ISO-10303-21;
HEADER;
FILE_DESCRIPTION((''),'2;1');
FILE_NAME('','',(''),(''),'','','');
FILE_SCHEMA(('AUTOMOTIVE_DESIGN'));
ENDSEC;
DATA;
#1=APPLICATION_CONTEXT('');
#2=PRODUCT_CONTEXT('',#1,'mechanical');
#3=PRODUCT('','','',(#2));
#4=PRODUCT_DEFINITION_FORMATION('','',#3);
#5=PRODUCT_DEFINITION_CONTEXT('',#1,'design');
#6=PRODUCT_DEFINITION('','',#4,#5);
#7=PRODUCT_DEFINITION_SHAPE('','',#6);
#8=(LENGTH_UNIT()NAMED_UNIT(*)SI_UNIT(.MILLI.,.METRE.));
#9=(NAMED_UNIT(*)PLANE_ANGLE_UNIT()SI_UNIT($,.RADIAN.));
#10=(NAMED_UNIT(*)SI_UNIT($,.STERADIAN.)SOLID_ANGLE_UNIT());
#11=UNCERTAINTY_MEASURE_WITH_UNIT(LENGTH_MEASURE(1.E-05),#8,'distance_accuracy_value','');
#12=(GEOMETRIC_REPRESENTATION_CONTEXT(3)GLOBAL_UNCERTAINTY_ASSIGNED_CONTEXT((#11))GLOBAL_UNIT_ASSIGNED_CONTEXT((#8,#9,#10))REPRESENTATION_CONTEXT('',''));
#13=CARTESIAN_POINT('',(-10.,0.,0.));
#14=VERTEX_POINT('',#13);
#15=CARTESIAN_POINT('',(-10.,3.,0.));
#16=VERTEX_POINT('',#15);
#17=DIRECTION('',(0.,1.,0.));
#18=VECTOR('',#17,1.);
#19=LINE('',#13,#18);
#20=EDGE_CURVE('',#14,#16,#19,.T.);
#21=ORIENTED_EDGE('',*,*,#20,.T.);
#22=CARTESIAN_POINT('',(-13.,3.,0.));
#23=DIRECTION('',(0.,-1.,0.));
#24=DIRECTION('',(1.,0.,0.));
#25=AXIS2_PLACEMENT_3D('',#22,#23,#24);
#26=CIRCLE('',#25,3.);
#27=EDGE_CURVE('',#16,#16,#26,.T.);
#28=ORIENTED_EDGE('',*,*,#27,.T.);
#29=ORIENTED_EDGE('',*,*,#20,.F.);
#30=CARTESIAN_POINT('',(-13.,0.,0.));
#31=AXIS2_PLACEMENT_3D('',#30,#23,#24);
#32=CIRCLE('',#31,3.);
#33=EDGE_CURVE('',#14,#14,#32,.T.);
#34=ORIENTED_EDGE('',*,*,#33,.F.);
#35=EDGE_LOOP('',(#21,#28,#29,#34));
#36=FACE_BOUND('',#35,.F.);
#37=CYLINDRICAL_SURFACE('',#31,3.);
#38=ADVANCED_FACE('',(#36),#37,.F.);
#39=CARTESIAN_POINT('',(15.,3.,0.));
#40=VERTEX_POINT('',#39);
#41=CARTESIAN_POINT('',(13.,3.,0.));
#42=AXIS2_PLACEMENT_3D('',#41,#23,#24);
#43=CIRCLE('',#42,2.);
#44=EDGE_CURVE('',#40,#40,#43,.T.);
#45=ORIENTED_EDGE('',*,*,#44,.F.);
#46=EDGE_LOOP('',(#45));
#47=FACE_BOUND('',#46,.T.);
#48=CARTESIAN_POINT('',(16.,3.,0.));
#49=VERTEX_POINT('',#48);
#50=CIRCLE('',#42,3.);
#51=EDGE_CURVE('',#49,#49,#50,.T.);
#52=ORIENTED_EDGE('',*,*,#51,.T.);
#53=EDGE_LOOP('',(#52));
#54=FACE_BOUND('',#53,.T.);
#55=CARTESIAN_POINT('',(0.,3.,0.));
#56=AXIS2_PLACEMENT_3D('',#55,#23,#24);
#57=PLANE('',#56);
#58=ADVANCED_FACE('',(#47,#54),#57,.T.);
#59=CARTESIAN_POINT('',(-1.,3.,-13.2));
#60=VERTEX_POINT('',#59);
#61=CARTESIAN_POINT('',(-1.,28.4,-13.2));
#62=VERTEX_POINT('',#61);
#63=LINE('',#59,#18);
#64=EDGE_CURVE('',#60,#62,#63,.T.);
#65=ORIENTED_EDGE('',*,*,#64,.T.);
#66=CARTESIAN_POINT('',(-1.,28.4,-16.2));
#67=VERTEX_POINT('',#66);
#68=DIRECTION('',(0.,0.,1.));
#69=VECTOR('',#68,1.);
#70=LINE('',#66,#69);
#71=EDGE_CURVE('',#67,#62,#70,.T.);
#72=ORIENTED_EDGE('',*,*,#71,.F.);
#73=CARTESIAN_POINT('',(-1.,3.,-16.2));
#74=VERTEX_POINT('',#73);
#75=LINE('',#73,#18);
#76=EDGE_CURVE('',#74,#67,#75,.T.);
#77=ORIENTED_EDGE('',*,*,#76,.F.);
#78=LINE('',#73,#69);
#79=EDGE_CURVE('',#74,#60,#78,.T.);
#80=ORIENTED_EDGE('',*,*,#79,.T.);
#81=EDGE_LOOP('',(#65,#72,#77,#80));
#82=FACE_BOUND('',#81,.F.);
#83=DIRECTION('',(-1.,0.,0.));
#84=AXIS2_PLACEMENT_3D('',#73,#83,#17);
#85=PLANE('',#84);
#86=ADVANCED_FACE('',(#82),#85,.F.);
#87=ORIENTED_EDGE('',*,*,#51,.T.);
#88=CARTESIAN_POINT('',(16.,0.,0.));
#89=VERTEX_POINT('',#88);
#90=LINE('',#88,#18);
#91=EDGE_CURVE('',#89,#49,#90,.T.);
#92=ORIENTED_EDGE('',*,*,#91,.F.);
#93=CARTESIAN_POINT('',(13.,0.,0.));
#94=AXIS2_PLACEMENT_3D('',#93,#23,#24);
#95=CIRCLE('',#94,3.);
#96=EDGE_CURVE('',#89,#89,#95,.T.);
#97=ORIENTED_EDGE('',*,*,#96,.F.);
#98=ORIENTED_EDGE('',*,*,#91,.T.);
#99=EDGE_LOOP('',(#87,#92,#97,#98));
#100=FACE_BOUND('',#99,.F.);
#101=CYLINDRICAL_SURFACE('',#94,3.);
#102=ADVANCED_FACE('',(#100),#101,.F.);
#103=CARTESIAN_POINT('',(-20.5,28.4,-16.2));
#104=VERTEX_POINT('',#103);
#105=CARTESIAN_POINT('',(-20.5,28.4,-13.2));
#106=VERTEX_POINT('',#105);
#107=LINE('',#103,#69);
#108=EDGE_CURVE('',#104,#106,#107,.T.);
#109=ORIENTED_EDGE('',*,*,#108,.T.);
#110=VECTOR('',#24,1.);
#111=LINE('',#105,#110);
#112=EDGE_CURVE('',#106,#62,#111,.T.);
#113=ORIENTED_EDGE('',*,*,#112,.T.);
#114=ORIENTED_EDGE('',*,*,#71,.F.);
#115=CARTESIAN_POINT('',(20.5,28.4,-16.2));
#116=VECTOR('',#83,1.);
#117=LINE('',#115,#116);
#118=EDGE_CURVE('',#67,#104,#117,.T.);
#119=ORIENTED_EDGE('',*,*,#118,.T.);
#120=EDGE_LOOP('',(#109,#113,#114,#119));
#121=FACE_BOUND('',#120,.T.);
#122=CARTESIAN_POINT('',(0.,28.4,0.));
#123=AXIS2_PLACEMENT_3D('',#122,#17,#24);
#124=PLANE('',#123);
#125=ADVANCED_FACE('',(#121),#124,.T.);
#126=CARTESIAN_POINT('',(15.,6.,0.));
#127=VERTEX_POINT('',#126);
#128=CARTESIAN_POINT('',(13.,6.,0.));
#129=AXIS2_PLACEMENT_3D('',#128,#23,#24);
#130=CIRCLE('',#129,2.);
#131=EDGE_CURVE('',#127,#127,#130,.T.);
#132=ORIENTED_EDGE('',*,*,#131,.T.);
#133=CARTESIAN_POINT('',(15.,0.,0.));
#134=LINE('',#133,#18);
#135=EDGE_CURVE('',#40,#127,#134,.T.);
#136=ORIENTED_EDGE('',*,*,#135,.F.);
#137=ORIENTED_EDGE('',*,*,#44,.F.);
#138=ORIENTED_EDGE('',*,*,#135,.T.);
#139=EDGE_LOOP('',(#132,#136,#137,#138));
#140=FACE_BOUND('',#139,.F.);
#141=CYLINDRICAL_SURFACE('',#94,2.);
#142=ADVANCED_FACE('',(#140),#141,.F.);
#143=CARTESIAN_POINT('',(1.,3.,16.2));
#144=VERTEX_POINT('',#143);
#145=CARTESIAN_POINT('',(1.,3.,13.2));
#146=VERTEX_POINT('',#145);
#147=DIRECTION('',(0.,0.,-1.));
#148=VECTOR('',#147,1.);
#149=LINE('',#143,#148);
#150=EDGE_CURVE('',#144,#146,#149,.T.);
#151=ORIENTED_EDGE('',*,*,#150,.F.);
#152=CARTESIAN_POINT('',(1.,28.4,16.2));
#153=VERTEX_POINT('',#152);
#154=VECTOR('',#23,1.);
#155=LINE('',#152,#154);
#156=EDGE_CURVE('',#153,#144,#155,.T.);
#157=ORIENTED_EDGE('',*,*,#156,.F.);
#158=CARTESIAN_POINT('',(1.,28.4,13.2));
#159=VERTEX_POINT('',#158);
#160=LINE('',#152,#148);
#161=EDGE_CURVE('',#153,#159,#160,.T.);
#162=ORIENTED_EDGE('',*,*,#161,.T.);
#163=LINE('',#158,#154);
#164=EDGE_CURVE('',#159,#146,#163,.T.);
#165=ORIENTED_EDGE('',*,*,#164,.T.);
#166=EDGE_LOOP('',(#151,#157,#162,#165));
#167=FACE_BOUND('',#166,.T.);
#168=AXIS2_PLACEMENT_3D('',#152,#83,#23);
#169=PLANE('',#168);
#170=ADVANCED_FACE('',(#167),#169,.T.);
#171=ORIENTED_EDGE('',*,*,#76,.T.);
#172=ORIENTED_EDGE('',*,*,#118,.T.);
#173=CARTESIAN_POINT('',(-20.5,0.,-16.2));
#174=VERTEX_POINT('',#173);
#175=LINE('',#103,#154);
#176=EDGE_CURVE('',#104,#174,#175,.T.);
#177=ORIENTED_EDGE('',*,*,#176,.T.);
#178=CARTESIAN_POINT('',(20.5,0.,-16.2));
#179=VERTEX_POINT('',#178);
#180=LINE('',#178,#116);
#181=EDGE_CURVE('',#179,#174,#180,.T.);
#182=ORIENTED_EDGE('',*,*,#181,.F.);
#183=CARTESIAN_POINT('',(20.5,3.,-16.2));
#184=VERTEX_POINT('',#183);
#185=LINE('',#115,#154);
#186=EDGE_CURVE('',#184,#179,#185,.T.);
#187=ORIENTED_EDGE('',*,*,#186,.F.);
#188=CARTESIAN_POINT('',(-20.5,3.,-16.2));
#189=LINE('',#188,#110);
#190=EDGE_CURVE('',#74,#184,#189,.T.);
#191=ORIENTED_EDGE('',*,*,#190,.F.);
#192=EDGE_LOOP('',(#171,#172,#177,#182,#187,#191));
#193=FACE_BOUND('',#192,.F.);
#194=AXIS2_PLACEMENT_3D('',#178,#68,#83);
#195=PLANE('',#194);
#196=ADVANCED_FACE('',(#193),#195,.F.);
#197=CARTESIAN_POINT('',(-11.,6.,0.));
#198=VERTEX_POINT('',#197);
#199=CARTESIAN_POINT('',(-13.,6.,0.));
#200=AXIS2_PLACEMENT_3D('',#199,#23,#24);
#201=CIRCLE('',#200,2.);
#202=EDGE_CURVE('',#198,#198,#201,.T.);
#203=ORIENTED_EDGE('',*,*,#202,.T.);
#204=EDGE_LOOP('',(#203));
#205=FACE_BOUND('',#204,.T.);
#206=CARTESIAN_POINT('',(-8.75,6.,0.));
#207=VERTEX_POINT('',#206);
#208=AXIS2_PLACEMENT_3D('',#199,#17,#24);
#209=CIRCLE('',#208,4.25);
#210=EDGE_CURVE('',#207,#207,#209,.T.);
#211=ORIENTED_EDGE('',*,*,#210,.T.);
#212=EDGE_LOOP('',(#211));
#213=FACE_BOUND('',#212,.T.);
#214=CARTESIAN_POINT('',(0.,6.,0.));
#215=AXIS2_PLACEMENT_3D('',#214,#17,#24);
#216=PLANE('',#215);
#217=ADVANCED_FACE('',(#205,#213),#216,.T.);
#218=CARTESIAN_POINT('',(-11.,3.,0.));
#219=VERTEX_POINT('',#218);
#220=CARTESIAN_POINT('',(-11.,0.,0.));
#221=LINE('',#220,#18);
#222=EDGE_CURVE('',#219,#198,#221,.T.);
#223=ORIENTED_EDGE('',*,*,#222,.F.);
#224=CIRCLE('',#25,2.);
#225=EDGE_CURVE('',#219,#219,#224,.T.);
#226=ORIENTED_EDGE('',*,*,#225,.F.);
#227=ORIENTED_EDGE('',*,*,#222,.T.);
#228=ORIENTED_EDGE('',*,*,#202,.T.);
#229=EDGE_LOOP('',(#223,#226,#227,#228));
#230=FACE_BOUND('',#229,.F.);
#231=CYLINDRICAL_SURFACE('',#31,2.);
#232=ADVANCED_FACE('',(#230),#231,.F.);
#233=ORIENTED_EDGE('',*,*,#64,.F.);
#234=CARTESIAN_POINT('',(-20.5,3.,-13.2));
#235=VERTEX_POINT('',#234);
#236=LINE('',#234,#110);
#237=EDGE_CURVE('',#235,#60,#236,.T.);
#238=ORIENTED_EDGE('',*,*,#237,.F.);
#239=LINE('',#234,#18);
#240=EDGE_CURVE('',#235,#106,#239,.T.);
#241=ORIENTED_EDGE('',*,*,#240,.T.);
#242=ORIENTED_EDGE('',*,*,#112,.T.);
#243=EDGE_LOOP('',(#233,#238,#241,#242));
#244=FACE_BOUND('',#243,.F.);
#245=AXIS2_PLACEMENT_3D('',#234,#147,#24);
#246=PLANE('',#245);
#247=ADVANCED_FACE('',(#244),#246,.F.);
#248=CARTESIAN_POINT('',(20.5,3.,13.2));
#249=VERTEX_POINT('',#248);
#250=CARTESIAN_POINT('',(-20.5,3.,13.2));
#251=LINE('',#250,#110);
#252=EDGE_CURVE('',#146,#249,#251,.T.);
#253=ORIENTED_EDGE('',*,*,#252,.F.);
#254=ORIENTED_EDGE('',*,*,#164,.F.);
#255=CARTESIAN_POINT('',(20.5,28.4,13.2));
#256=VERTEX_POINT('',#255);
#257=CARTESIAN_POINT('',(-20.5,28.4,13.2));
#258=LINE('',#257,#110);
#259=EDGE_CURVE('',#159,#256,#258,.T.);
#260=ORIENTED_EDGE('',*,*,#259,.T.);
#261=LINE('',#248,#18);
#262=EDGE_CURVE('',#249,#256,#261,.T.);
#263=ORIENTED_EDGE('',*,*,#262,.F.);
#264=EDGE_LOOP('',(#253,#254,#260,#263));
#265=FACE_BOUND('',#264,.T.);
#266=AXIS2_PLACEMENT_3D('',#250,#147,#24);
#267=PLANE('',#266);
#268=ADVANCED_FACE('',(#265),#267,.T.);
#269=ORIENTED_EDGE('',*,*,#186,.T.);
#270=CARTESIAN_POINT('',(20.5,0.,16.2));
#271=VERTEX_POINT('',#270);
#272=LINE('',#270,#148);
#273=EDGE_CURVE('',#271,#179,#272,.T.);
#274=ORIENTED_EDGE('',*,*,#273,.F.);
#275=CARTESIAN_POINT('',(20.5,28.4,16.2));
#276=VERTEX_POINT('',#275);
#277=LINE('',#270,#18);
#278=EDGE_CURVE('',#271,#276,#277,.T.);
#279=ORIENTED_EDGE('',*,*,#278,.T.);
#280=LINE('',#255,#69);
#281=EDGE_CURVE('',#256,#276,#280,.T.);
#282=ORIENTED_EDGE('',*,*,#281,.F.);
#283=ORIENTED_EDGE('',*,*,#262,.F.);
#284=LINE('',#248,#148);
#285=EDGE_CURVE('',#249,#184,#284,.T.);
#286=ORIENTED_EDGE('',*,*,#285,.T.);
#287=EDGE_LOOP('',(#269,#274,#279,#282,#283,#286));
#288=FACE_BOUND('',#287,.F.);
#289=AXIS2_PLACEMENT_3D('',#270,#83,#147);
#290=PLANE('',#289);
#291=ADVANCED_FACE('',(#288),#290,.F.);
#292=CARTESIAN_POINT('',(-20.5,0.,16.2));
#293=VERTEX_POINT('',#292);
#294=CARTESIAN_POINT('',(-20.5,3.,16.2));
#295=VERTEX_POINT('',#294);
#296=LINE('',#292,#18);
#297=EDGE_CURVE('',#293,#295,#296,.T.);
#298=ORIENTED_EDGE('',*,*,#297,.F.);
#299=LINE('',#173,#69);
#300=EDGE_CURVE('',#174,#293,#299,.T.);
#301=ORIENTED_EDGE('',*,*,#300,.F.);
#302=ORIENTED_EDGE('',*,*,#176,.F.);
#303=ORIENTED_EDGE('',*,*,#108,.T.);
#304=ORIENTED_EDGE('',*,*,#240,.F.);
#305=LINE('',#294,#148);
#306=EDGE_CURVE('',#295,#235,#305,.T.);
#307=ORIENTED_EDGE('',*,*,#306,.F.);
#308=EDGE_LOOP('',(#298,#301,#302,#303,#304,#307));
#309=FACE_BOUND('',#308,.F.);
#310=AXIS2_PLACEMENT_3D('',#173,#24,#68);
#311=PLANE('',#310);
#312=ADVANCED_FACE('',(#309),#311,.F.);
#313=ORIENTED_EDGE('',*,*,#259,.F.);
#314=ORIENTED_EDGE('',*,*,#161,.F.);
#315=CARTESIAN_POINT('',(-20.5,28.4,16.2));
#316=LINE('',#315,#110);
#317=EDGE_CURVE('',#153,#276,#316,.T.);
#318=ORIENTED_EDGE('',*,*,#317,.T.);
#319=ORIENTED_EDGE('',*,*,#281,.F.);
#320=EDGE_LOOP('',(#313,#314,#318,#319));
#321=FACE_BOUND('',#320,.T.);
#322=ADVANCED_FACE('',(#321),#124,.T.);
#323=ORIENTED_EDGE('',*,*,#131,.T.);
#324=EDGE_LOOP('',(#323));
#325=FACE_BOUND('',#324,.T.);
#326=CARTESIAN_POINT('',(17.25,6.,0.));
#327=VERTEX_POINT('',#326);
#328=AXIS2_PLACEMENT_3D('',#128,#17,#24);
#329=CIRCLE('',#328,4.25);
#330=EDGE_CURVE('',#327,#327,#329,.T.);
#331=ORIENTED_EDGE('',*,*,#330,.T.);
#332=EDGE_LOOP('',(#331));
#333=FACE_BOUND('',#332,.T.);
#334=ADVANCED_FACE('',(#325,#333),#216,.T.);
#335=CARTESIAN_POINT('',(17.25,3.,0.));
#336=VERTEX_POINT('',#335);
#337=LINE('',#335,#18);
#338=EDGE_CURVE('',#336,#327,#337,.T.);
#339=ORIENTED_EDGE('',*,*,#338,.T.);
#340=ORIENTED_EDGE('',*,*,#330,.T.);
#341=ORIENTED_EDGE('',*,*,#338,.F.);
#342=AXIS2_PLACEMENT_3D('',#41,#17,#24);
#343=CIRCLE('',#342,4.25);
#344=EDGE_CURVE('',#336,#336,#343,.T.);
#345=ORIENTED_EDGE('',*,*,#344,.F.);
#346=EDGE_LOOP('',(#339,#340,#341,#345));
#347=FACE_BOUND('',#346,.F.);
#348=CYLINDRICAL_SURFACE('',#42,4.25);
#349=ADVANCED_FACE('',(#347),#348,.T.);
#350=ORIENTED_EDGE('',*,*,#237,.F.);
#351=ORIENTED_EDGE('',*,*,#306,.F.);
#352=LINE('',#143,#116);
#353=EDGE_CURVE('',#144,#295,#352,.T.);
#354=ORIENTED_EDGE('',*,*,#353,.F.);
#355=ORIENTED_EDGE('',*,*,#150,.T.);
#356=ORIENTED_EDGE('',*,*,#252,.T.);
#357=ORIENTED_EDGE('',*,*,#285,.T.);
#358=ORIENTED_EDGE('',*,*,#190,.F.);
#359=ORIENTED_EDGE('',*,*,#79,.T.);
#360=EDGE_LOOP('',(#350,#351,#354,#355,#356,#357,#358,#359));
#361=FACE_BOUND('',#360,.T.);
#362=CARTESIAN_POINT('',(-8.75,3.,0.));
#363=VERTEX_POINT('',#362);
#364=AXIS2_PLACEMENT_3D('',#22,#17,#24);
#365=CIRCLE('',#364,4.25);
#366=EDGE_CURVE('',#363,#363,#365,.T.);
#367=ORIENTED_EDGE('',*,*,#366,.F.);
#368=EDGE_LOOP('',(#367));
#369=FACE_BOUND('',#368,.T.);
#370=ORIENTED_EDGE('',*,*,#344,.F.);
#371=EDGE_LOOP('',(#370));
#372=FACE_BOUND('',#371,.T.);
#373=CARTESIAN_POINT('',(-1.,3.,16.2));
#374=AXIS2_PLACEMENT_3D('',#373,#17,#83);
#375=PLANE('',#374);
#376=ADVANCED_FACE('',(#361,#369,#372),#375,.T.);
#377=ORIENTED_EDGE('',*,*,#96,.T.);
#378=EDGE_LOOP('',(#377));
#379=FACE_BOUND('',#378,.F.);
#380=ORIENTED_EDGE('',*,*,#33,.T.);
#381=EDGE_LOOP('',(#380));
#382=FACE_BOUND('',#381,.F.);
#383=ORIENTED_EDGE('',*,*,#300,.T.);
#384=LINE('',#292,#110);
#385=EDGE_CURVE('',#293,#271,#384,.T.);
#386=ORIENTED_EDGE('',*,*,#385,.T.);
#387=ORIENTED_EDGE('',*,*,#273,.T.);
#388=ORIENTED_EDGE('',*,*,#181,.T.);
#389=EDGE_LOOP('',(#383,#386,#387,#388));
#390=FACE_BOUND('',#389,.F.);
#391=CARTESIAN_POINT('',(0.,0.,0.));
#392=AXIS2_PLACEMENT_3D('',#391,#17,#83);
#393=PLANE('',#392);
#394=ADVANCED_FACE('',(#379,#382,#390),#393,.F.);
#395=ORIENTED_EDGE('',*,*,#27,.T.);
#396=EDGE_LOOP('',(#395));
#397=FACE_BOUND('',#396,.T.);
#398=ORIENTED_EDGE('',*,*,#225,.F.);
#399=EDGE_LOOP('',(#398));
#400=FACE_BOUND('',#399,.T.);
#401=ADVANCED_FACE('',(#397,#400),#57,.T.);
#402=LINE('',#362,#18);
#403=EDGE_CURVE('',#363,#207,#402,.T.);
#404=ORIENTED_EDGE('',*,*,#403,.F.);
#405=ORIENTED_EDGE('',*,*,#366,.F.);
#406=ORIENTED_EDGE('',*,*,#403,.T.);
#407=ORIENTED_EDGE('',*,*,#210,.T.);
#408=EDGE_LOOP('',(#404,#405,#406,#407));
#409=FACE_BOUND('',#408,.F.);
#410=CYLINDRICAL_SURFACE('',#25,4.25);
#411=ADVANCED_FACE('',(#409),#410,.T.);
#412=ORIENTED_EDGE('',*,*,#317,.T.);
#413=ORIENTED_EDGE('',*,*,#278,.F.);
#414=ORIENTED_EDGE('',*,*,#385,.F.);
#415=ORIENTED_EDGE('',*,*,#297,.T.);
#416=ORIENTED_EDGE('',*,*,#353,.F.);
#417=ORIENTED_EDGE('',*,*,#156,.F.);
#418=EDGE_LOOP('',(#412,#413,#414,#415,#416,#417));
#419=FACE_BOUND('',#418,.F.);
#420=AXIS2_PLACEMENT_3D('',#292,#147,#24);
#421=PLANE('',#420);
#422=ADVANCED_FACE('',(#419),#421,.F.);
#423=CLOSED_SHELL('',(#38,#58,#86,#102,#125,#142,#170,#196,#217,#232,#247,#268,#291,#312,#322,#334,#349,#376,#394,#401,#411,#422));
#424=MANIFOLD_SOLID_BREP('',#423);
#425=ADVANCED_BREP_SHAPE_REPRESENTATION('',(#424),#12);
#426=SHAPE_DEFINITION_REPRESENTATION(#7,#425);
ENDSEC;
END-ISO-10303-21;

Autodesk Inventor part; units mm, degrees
ref_plane "YZ Plane" through (0, 0, 0) normal (1, 0, 0) x (0, 1, 0)
ref_plane "XZ Plane" through (0, 0, 0) normal (0, 1, 0) x (-1, 0, 0)
ref_plane "XY Plane" through (0, 0, 0) normal (0, 0, 1) x (1, 0, 0)
sketch "Sketch1" plane through (0, 0, 0) normal (0, 1, 0) x (-1, 0, 0)
  line L0 (20.5, 16.2) -> (-20.5, 16.2)
  line L1 (-20.5, 16.2) -> (-20.5, -16.2)
  line L2 (-20.5, -16.2) -> (20.5, -16.2)
  line L3 (20.5, -16.2) -> (20.5, 16.2)
  point P0 (0, 0)
  dimension "d0" = 41
  dimension "d1" = 32.4
extrude "Extrusion1" add sketch "Sketch1" along normal blind 3
sketch "Sketch3" plane through (0, 3, 0) normal (0, 1, 0) x (1, 0, 0)
  line L0 (-20.5, -16.2) -> (20.5, -16.2) projected
  line L1 (-20.5, 16.2) -> (-20.5, -16.2) projected
  line L2 (20.5, -16.2) -> (-20.5, -16.2)
  line L3 (-20.5, -16.2) -> (-20.5, -13.2)
  line L4 (-20.5, -13.2) -> (20.5, -13.2)
  line L5 (20.5, -13.2) -> (20.5, -16.2)
  line L6 (20.5, 16.2) -> (-20.5, 16.2) projected
  line L7 (20.5, 16.2) -> (-20.5, 16.2)
  line L8 (-20.5, 16.2) -> (-20.5, 13.2)
  line L9 (-20.5, 13.2) -> (20.5, 13.2)
  line L10 (20.5, 13.2) -> (20.5, 16.2)
  point P0 (0, 0)
  dimension "d8" = 3
  dimension "d9" = 3
extrude "Extrusion3" add sketch "Sketch3" along normal blind 25.4
sketch "Sketch4" plane through (20.5, 0, -16.2) normal (0, 0, -1) x (-1, 0, 0)
  line L0 (41, 3) -> (0, 3) projected
  line L1 (0, 28.4) -> (41, 28.4) projected
  line L2 (0, 3) -> (21.5, 3)
  line L3 (21.5, 3) -> (21.5, 28.4)
  line L4 (21.5, 28.4) -> (0, 28.4)
  line L5 (0, 28.4) -> (0, 3)
  point P0 (20.5, 0)
  dimension "d12" = 21.5
extrude "Extrusion4" cut sketch "Sketch4" against normal blind 3
sketch "Sketch5" plane through (-20.5, 0, 16.2) normal (0, 0, 1) x (1, 0, 0)
  line L0 (41, 28.4) -> (0, 28.4) projected
  line L1 (19.5, 3) -> (41, 3) projected
  line L2 (0, 28.4) -> (21.5, 28.4)
  line L3 (21.5, 28.4) -> (21.5, 3)
  line L4 (21.5, 3) -> (0, 3)
  line L5 (0, 3) -> (0, 28.4)
  point P0 (20.5, 0)
  dimension "d15" = 21.5
extrude "Extrusion5" cut sketch "Sketch5" against normal blind 3
sketch "Sketch6" plane through (0, 3, 0) normal (0, 1, 0) x (1, 0, 0)
  circle A0 centre (13, 0) radius 4.25
  circle A1 centre (-13, 0) radius 4.25
  point P0 (0, 0)
  dimension "d20" = 8.5
  dimension "d21" = 8.5
extrude "Extrusion6" add sketch "Sketch6" along normal blind 3
sketch "Sketch7" plane through (0, 0, 0) normal (0, -1, 0) x (1, 0, 0)
  circle A0 centre (-13, 0) radius 4.25 projected
  circle A1 centre (-13, 0) radius 2
  circle A2 centre (13, 0) radius 4.25 projected
  circle A3 centre (13, 0) radius 2
  point P0 (0, 0)
  dimension "d24" = 4
  dimension "d25" = 4
extrude "Extrusion7" cut sketch "Sketch7" against normal blind 6 contours A1 | A3
sketch "Sketch8" plane through (0, 0, 0) normal (0, -1, 0) x (1, 0, 0)
  circle A0 centre (-13, 0) radius 2 projected
  circle A1 centre (-13, 0) radius 3
  circle A2 centre (13, 0) radius 2 projected
  circle A3 centre (13, 0) radius 3
  point P0 (0, 0)
  dimension "d28" = 6
  dimension "d29" = 6
extrude "Extrusion8" cut sketch "Sketch8" against normal blind 3 contours A0 | A1 | A2 | A3
properties part number "stepperBracket"
